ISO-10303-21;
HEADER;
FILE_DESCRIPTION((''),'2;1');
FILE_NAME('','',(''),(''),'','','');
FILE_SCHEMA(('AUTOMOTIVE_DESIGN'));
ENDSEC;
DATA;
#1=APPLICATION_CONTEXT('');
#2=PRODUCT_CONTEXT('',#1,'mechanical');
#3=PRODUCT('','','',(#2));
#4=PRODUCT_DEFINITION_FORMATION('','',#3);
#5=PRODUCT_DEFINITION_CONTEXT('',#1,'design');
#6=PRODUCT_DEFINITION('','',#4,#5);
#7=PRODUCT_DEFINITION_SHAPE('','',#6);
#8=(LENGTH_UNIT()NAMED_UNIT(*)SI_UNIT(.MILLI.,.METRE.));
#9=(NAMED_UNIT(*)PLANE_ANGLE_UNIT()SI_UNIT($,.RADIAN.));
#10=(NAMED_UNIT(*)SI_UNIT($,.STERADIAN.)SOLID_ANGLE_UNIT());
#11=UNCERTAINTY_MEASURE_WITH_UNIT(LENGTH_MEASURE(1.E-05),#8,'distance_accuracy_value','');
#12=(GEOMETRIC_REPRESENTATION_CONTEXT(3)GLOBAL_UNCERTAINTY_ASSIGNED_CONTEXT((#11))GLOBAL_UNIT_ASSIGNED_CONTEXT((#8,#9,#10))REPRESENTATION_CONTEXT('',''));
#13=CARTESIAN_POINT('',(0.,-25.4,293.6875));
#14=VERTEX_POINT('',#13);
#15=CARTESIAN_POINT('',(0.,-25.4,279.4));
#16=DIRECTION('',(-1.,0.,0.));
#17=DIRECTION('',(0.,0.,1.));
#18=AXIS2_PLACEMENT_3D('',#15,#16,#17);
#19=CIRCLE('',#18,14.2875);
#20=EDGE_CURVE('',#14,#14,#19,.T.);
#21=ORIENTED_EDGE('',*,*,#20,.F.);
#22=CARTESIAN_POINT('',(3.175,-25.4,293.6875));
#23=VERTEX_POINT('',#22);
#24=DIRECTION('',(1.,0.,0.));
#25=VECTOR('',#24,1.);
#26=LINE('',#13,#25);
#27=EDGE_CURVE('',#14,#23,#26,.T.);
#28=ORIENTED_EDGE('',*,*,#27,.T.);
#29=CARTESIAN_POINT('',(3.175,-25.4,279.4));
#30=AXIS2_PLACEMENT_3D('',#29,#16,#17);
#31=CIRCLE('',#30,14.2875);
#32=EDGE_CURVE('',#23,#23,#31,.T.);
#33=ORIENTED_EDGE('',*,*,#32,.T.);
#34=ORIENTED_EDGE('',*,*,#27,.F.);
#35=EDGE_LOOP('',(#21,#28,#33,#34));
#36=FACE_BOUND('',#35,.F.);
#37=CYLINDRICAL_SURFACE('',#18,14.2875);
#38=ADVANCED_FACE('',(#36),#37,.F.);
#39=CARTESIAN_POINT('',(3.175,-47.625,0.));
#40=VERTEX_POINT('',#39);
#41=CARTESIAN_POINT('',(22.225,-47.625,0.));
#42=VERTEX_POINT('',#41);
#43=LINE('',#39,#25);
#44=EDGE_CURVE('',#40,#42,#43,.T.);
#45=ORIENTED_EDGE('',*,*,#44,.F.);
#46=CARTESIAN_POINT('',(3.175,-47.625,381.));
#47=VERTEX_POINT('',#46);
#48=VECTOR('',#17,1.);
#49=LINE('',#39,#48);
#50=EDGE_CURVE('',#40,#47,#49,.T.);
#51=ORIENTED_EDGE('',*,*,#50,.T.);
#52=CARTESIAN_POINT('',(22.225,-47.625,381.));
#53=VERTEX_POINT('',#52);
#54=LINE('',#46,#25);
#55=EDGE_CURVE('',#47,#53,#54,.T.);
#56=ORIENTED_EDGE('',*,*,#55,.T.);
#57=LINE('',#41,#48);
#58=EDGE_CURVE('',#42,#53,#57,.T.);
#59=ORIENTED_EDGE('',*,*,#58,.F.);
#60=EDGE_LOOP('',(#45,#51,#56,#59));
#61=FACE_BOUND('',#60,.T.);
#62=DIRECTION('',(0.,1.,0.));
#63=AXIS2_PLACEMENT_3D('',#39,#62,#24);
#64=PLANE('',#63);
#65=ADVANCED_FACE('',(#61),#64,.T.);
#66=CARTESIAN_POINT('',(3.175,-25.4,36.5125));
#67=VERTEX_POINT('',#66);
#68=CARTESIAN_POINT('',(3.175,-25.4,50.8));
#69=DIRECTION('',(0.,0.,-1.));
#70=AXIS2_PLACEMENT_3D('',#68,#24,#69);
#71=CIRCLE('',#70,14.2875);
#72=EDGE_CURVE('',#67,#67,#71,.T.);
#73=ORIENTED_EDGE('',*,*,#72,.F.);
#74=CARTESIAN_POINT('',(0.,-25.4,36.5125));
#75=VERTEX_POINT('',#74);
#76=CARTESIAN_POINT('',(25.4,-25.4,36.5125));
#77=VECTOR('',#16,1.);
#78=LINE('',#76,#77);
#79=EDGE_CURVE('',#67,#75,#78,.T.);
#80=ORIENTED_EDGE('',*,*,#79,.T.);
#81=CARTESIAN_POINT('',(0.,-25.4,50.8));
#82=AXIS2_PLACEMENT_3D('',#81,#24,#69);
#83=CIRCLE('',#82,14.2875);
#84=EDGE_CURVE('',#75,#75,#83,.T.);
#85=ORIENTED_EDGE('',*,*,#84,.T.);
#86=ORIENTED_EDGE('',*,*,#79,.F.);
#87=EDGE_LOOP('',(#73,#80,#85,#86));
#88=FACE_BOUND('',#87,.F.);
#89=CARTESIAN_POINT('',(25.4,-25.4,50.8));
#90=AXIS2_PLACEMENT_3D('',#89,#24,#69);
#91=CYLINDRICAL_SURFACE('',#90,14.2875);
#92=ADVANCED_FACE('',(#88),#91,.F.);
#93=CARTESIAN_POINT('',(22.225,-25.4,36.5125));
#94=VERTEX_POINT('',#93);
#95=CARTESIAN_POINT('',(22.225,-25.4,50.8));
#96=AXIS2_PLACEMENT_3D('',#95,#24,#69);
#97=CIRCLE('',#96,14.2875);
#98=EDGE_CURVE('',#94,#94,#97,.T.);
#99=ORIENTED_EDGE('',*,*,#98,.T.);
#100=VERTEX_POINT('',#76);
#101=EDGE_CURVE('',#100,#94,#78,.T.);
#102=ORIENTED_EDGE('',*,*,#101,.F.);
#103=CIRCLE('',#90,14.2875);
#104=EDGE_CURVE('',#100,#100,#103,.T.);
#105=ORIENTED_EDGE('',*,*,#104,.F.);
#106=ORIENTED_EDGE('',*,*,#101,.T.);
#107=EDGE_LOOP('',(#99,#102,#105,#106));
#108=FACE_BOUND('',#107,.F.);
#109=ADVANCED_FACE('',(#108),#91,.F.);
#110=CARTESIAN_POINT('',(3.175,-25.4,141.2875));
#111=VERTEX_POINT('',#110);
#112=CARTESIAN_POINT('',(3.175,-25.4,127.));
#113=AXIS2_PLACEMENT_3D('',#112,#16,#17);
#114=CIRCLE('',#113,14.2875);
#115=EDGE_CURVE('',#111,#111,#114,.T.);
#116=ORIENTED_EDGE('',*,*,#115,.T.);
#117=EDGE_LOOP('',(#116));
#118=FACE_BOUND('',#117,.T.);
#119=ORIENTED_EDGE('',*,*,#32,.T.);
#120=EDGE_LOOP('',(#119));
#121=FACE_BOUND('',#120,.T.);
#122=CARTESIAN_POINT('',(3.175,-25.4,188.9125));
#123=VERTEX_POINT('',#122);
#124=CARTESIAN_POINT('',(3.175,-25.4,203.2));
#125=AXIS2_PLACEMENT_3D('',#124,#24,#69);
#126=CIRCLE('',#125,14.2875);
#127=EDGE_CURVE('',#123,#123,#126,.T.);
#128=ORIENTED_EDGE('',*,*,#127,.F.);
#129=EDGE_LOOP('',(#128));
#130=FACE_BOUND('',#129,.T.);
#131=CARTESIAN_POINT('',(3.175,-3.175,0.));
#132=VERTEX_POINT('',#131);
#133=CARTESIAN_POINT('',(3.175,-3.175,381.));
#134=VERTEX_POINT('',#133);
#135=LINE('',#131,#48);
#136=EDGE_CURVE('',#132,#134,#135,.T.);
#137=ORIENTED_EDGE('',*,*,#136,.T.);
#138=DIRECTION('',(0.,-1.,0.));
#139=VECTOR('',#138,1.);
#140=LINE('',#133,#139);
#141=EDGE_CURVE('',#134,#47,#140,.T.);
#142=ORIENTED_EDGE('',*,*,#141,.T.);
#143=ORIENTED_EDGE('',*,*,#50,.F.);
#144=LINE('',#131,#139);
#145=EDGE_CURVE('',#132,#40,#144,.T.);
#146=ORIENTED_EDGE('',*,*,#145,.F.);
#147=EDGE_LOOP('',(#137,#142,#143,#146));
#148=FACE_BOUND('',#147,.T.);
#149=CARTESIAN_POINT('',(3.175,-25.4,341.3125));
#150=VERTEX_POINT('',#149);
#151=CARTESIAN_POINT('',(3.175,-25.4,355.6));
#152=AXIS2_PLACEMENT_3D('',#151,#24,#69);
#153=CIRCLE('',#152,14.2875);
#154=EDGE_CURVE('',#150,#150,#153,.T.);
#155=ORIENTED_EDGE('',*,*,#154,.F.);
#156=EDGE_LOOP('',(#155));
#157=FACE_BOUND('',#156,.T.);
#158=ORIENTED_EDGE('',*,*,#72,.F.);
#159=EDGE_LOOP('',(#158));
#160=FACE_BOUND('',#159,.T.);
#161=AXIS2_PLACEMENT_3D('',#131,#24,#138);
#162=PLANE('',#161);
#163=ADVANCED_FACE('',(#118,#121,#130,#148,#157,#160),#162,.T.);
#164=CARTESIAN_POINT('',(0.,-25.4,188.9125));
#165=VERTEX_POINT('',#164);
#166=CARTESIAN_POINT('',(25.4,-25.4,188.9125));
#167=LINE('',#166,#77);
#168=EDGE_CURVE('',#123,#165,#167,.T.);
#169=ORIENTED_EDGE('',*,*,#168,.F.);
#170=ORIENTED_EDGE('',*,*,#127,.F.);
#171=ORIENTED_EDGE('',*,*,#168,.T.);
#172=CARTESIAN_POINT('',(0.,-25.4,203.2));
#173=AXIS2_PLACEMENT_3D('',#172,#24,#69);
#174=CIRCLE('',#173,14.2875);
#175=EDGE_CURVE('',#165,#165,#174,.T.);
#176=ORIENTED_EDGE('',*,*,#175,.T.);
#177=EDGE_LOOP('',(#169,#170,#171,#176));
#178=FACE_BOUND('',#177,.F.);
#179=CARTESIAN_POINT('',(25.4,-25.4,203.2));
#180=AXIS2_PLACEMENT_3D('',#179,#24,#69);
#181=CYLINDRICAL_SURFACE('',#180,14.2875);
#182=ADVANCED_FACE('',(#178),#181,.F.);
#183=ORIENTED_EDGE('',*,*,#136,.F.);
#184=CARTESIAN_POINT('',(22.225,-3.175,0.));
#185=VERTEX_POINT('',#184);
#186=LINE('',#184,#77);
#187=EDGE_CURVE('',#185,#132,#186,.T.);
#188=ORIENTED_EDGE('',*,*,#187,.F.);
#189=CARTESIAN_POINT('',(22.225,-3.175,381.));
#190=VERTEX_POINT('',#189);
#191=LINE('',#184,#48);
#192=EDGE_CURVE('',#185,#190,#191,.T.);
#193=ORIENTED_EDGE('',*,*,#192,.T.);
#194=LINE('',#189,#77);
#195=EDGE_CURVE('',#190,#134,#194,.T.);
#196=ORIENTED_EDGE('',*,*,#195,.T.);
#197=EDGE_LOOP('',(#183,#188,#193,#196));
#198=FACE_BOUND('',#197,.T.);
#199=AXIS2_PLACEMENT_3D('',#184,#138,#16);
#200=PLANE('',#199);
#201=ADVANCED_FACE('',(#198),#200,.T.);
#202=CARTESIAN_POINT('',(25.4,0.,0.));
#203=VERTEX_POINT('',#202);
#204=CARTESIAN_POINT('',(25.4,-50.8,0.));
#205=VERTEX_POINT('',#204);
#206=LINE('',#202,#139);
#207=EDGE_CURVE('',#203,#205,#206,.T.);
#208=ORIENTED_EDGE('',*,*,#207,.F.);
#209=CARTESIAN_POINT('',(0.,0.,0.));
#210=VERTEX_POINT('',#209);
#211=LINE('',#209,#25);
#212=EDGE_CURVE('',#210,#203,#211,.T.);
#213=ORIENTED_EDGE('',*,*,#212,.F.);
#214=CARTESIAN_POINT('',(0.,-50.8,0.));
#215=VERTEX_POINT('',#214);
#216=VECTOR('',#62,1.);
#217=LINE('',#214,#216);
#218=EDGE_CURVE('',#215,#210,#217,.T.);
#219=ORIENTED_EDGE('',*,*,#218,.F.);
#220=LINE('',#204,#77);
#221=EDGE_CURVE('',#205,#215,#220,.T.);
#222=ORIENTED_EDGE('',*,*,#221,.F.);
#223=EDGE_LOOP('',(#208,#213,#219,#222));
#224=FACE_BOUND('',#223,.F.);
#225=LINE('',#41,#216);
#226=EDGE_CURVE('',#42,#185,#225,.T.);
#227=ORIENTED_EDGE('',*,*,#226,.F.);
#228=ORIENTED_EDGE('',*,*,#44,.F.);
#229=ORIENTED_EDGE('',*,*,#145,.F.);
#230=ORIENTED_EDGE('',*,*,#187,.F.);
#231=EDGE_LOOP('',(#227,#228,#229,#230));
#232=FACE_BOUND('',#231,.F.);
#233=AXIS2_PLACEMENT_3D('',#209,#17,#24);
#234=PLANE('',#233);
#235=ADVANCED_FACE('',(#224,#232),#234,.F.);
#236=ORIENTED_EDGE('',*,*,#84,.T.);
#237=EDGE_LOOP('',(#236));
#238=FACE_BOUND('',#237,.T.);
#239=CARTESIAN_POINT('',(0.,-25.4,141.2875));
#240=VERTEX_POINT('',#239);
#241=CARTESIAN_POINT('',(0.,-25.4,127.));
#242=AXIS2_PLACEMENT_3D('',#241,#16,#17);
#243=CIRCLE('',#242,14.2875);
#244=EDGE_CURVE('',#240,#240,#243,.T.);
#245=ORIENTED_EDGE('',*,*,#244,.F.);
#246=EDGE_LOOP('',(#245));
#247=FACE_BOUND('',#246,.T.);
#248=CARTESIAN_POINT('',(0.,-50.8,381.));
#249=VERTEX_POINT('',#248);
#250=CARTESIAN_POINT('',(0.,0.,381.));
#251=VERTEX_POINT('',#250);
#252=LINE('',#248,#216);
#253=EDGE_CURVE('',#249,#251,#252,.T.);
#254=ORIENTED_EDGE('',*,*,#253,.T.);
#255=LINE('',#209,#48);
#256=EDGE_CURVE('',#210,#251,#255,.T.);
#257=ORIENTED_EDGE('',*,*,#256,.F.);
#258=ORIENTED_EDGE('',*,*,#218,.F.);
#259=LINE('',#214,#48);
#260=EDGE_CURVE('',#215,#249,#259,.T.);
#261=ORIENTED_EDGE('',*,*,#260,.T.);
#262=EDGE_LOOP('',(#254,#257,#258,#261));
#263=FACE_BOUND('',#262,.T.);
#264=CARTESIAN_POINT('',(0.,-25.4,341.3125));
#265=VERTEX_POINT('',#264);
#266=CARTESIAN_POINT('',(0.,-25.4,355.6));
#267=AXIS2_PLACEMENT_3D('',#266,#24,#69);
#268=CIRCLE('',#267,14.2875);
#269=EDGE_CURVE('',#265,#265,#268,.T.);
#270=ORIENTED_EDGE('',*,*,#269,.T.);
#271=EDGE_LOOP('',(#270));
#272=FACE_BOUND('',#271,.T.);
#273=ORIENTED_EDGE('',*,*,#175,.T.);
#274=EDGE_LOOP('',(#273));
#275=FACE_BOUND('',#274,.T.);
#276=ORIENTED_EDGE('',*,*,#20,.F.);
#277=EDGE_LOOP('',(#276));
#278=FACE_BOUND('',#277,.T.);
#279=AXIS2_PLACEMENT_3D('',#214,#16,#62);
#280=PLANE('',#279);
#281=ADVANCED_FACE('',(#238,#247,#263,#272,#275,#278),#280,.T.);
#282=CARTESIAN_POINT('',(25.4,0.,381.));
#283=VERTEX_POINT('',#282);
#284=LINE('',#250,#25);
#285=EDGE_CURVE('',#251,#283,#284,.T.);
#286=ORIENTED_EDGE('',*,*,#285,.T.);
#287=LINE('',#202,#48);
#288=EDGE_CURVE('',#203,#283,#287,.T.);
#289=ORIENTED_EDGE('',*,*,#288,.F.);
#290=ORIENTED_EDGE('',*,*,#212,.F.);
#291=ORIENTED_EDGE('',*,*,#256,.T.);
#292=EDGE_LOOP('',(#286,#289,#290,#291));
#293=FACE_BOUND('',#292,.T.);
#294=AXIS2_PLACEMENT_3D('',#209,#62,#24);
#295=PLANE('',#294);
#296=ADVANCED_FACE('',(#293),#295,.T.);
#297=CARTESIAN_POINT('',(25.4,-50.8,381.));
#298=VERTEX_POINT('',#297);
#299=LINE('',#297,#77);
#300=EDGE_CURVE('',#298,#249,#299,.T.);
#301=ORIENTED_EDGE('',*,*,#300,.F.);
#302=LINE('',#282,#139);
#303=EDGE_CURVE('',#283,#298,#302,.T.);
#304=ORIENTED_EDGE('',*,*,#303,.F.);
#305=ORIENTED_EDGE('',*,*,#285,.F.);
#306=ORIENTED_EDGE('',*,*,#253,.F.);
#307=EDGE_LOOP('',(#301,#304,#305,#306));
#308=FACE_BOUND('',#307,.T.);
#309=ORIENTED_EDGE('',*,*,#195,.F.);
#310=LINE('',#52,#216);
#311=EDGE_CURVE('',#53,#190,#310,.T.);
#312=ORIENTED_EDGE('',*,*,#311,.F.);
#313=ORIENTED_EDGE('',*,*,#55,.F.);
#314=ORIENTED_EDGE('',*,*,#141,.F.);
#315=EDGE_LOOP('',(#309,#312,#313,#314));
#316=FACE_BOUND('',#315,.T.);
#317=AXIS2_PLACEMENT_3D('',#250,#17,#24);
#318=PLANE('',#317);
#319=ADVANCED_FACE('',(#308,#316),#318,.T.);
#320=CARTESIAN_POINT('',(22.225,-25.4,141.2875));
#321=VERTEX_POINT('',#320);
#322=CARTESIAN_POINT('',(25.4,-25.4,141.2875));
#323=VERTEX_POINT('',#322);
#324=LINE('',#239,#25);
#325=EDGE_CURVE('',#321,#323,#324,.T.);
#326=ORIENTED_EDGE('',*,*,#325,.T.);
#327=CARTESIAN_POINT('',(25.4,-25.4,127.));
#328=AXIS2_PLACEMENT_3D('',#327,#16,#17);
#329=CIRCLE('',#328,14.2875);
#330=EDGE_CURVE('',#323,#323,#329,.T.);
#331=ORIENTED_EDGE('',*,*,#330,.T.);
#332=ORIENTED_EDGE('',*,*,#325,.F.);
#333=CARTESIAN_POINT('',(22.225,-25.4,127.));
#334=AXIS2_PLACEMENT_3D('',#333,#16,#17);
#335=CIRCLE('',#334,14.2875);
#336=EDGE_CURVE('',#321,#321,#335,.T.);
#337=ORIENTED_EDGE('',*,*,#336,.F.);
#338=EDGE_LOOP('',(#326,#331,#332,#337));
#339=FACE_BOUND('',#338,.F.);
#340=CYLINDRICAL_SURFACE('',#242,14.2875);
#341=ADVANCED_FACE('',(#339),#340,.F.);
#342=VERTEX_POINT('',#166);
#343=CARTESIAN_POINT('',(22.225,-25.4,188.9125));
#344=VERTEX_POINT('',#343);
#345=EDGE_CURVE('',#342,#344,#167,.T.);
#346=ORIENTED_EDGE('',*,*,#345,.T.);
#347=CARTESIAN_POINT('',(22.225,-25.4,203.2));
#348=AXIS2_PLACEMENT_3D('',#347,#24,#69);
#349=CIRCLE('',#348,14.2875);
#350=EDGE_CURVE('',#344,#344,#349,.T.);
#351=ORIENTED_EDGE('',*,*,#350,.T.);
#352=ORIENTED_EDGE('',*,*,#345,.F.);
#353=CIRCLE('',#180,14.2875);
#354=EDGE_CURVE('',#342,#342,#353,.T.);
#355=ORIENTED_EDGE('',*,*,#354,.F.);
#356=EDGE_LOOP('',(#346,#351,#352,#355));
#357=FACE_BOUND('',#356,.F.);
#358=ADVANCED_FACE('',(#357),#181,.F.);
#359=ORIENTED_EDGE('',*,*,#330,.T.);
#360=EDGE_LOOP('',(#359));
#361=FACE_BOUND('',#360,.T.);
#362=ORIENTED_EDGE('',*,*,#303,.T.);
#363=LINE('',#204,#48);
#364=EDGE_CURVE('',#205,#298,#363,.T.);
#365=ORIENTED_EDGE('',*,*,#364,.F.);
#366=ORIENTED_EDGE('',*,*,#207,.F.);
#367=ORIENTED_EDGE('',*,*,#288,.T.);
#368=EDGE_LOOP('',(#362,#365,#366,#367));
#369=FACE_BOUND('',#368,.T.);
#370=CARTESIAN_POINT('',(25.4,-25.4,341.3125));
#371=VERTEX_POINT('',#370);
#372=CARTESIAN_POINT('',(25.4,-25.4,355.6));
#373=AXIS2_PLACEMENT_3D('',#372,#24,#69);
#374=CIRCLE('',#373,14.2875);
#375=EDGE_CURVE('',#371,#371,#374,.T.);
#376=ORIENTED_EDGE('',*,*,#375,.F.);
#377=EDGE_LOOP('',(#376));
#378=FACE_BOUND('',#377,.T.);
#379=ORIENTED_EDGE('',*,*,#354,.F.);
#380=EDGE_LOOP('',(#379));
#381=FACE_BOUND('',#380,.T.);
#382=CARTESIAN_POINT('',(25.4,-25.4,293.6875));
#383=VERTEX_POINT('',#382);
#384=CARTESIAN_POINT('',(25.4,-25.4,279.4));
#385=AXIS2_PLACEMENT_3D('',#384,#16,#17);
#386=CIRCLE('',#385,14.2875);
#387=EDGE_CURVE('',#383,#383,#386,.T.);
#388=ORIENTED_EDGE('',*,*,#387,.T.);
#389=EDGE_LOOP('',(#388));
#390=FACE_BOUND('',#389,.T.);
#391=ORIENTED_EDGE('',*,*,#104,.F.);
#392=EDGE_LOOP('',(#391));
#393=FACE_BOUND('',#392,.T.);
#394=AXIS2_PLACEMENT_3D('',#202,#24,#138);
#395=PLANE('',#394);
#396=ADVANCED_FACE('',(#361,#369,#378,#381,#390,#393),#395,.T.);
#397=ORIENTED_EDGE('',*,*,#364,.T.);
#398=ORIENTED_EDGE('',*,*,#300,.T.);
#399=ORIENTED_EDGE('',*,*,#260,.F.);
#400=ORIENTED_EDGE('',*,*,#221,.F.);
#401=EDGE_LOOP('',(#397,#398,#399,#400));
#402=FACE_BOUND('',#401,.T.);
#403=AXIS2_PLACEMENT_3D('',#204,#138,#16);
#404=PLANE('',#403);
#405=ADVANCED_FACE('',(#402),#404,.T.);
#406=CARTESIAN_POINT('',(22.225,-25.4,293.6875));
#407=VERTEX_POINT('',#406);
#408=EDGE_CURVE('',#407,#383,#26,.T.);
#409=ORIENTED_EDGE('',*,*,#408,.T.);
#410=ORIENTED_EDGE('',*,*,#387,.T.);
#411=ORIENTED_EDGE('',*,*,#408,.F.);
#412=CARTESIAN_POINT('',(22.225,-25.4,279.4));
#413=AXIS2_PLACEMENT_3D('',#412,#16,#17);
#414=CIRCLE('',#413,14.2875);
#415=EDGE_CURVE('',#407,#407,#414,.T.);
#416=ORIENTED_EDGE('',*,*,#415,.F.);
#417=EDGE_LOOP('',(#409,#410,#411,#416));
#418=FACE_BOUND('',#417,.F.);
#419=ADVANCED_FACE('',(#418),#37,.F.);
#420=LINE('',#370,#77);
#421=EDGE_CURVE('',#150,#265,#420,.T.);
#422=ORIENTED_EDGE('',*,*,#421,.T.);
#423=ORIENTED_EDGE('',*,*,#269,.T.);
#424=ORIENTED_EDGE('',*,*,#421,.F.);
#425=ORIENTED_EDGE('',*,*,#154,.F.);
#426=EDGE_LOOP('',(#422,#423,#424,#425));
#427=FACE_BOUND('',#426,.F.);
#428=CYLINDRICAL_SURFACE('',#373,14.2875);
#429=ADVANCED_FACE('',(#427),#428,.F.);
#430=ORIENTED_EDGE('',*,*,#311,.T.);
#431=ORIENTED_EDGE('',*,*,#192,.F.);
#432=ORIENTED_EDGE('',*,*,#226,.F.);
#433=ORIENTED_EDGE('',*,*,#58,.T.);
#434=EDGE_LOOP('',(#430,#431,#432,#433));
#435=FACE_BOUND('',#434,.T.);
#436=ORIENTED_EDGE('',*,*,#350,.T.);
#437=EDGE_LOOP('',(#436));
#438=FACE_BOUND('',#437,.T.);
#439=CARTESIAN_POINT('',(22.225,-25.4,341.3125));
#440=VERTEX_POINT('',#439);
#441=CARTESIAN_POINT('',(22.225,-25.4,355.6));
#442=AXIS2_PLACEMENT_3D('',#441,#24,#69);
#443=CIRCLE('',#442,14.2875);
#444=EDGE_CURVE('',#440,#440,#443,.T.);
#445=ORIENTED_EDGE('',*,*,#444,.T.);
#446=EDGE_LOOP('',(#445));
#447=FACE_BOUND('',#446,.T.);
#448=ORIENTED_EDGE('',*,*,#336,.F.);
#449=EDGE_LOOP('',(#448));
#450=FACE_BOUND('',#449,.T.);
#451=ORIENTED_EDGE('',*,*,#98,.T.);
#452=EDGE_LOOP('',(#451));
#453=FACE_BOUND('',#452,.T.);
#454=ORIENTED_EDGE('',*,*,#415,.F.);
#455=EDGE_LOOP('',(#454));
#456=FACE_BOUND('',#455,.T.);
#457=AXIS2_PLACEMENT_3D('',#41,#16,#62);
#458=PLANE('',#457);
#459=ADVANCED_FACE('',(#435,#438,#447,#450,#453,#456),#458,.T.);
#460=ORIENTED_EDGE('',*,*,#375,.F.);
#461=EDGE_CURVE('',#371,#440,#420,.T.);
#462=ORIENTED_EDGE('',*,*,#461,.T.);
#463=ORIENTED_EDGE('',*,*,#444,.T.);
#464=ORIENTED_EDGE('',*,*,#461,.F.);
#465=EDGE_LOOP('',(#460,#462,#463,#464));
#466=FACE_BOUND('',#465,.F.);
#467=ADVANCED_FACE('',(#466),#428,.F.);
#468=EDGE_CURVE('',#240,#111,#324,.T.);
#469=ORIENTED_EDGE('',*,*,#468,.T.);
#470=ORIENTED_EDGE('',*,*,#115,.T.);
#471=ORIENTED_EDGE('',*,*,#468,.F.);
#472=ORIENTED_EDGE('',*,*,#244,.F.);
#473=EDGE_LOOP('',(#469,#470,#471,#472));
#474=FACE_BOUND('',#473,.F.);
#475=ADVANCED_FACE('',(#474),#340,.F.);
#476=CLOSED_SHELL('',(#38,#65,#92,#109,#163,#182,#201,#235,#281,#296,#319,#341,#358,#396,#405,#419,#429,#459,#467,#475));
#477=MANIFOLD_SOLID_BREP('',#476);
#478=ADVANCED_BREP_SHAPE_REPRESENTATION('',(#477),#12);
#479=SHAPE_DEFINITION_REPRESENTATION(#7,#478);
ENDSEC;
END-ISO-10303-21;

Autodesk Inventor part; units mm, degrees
ref_plane "YZ Plane" through (0, 0, 0) normal (1, 0, 0) x (0, 1, 0)
ref_plane "XZ Plane" through (0, 0, 0) normal (0, 1, 0) x (-1, 0, 0)
ref_plane "XY Plane" through (0, 0, 0) normal (0, 0, 1) x (1, 0, 0)
sketch "Sketch1" plane through (0, 0, 0) normal (0, 0, 1) x (1, 0, 0)
  line L0 (0, 0) -> (25.4, 0)
  line L1 (25.4, 0) -> (25.4, -50.8)
  line L2 (25.4, -50.8) -> (0, -50.8)
  line L3 (0, -50.8) -> (0, 0)
  line L4 (22.225, -3.175) -> (3.175, -3.175)
  line L5 (3.175, -3.175) -> (3.175, -47.625)
  line L6 (3.175, -47.625) -> (22.225, -47.625)
  line L7 (22.225, -47.625) -> (22.225, -3.175)
  dimension "d0" = 25.4
  dimension "d1" = 50.8
  dimension "d2" = 3.175
extrude "Extrusion1" add sketch "Sketch1" along normal blind 381
sketch "Sketch2" plane through (25.4, -50.8, 0) normal (1, 0, 0) x (0, 0, -1)
  circle A0 centre (-355.6, 25.4) radius 14.2875
  circle A1 centre (-203.2, 25.4) radius 14.2875
  circle A2 centre (-50.8, 25.4) radius 14.2875
  line L0 (0, 0) -> (-381, 0) projected
  line L1 (0, 50.8) -> (-381, 50.8) projected
  line L2 (0, 50.8) -> (0, 0) projected
  dimension "d6" = 28.575
  dimension "d7" = 28.575
  dimension "d8" = 28.575
  dimension "d10" = 25.4
  dimension "d11" = 25.4
  dimension "d12" = 25.4
  dimension "d13" = 50.8
  dimension "d14" = 152.4
  dimension "d15" = 152.4
extrude "Extrusion2" cut sketch "Sketch2" against normal blind 381
sketch "Sketch3" plane through (0, -50.8, 0) normal (-1, 0, 0) x (0, 0, 1)
  circle A0 centre (127, 25.4) radius 14.2875
  circle A1 centre (279.4, 25.4) radius 14.2875
  line L0 (0, 0) -> (381, 0) projected
  circle A2 centre (203.2, 25.4) radius 14.2875 projected
  circle A3 centre (355.6, 25.4) radius 14.2875 projected
  point P0 (0, 50.8)
  dimension "d19" = 28.575
  dimension "d20" = 28.575
  dimension "d21" = 25.4
  dimension "d22" = 25.4
  dimension "d23" = 76.2
  dimension "d24" = 76.2
  dimension "d25" = 76.2
extrude "Extrusion3" cut sketch "Sketch3" against normal blind 25.4 contours A0 | A1
properties part number "intake 1"
